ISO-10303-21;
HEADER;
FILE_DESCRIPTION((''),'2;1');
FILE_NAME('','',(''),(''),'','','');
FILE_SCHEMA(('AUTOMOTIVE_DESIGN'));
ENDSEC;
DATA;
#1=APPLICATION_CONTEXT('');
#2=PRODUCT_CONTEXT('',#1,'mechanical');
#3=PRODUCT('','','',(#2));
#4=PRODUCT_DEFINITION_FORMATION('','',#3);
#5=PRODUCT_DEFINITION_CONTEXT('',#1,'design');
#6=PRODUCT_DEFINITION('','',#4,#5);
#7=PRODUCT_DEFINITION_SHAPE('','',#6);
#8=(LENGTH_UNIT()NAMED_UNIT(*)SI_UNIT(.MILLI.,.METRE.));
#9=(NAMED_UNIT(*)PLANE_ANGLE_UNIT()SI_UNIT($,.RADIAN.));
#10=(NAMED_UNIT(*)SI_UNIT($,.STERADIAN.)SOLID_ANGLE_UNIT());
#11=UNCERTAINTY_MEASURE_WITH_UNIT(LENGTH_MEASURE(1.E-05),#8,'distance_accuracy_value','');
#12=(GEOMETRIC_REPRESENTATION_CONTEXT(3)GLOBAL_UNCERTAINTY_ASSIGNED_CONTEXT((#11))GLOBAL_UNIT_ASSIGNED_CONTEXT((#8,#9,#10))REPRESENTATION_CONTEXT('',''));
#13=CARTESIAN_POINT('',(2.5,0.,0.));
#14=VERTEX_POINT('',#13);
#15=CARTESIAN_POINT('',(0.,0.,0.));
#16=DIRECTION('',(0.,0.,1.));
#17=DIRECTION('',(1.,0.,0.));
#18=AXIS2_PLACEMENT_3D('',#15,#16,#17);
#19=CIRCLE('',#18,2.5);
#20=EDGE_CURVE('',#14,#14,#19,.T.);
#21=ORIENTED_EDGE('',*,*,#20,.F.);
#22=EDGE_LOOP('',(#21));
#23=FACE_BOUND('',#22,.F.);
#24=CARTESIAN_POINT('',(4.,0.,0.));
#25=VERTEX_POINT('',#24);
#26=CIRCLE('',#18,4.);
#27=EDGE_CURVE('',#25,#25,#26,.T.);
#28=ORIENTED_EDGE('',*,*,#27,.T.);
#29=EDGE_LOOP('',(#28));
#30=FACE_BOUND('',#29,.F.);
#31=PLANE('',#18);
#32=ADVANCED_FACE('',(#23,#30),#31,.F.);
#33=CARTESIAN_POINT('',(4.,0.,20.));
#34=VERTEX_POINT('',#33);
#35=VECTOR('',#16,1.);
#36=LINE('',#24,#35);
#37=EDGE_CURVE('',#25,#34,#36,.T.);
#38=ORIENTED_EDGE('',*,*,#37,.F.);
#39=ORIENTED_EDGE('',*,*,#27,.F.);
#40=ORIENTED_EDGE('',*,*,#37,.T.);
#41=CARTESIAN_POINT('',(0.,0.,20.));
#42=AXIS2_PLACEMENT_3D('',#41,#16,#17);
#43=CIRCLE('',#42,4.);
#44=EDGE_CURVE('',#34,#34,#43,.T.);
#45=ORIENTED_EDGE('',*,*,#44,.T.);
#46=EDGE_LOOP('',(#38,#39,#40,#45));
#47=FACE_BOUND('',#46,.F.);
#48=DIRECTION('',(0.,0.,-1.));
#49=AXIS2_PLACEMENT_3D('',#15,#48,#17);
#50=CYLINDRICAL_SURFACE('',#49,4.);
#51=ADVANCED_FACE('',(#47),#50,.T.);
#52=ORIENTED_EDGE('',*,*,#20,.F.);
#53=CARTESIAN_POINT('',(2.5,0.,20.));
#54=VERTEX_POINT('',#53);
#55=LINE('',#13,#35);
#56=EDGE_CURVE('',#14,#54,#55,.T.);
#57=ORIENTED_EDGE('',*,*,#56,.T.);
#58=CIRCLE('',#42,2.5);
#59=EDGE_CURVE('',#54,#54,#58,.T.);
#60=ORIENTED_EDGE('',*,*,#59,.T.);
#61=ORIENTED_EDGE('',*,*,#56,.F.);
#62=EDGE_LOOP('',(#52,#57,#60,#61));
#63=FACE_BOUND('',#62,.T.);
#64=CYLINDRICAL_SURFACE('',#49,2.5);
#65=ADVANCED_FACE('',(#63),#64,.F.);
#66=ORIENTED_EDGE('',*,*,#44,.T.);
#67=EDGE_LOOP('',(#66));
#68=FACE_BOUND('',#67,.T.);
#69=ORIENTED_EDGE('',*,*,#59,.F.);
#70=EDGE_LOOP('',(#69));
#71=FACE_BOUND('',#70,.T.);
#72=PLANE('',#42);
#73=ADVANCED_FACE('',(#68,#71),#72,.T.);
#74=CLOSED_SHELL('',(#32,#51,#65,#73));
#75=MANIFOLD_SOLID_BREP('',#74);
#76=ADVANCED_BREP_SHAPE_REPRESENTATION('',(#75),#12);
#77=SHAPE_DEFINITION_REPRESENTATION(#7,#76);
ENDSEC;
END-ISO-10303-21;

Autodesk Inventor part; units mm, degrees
ref_plane "YZ Plane" through (0, 0, 0) normal (1, 0, 0) x (0, 1, 0)
ref_plane "XZ Plane" through (0, 0, 0) normal (0, 1, 0) x (-1, 0, 0)
ref_plane "XY Plane" through (0, 0, 0) normal (0, 0, 1) x (1, 0, 0)
sketch "Эскиз1" plane through (0, 0, 0) normal (0, 0, 1) x (1, 0, 0)
  circle A0 centre (0, 0) radius 2.5
  circle A1 centre (0, 0) radius 4
  dimension "d0" = 5
  dimension "d1" = 8
extrude "Выдавливание1" add sketch "Эскиз1" along normal blind 20
properties part number "Вал шестерни"
